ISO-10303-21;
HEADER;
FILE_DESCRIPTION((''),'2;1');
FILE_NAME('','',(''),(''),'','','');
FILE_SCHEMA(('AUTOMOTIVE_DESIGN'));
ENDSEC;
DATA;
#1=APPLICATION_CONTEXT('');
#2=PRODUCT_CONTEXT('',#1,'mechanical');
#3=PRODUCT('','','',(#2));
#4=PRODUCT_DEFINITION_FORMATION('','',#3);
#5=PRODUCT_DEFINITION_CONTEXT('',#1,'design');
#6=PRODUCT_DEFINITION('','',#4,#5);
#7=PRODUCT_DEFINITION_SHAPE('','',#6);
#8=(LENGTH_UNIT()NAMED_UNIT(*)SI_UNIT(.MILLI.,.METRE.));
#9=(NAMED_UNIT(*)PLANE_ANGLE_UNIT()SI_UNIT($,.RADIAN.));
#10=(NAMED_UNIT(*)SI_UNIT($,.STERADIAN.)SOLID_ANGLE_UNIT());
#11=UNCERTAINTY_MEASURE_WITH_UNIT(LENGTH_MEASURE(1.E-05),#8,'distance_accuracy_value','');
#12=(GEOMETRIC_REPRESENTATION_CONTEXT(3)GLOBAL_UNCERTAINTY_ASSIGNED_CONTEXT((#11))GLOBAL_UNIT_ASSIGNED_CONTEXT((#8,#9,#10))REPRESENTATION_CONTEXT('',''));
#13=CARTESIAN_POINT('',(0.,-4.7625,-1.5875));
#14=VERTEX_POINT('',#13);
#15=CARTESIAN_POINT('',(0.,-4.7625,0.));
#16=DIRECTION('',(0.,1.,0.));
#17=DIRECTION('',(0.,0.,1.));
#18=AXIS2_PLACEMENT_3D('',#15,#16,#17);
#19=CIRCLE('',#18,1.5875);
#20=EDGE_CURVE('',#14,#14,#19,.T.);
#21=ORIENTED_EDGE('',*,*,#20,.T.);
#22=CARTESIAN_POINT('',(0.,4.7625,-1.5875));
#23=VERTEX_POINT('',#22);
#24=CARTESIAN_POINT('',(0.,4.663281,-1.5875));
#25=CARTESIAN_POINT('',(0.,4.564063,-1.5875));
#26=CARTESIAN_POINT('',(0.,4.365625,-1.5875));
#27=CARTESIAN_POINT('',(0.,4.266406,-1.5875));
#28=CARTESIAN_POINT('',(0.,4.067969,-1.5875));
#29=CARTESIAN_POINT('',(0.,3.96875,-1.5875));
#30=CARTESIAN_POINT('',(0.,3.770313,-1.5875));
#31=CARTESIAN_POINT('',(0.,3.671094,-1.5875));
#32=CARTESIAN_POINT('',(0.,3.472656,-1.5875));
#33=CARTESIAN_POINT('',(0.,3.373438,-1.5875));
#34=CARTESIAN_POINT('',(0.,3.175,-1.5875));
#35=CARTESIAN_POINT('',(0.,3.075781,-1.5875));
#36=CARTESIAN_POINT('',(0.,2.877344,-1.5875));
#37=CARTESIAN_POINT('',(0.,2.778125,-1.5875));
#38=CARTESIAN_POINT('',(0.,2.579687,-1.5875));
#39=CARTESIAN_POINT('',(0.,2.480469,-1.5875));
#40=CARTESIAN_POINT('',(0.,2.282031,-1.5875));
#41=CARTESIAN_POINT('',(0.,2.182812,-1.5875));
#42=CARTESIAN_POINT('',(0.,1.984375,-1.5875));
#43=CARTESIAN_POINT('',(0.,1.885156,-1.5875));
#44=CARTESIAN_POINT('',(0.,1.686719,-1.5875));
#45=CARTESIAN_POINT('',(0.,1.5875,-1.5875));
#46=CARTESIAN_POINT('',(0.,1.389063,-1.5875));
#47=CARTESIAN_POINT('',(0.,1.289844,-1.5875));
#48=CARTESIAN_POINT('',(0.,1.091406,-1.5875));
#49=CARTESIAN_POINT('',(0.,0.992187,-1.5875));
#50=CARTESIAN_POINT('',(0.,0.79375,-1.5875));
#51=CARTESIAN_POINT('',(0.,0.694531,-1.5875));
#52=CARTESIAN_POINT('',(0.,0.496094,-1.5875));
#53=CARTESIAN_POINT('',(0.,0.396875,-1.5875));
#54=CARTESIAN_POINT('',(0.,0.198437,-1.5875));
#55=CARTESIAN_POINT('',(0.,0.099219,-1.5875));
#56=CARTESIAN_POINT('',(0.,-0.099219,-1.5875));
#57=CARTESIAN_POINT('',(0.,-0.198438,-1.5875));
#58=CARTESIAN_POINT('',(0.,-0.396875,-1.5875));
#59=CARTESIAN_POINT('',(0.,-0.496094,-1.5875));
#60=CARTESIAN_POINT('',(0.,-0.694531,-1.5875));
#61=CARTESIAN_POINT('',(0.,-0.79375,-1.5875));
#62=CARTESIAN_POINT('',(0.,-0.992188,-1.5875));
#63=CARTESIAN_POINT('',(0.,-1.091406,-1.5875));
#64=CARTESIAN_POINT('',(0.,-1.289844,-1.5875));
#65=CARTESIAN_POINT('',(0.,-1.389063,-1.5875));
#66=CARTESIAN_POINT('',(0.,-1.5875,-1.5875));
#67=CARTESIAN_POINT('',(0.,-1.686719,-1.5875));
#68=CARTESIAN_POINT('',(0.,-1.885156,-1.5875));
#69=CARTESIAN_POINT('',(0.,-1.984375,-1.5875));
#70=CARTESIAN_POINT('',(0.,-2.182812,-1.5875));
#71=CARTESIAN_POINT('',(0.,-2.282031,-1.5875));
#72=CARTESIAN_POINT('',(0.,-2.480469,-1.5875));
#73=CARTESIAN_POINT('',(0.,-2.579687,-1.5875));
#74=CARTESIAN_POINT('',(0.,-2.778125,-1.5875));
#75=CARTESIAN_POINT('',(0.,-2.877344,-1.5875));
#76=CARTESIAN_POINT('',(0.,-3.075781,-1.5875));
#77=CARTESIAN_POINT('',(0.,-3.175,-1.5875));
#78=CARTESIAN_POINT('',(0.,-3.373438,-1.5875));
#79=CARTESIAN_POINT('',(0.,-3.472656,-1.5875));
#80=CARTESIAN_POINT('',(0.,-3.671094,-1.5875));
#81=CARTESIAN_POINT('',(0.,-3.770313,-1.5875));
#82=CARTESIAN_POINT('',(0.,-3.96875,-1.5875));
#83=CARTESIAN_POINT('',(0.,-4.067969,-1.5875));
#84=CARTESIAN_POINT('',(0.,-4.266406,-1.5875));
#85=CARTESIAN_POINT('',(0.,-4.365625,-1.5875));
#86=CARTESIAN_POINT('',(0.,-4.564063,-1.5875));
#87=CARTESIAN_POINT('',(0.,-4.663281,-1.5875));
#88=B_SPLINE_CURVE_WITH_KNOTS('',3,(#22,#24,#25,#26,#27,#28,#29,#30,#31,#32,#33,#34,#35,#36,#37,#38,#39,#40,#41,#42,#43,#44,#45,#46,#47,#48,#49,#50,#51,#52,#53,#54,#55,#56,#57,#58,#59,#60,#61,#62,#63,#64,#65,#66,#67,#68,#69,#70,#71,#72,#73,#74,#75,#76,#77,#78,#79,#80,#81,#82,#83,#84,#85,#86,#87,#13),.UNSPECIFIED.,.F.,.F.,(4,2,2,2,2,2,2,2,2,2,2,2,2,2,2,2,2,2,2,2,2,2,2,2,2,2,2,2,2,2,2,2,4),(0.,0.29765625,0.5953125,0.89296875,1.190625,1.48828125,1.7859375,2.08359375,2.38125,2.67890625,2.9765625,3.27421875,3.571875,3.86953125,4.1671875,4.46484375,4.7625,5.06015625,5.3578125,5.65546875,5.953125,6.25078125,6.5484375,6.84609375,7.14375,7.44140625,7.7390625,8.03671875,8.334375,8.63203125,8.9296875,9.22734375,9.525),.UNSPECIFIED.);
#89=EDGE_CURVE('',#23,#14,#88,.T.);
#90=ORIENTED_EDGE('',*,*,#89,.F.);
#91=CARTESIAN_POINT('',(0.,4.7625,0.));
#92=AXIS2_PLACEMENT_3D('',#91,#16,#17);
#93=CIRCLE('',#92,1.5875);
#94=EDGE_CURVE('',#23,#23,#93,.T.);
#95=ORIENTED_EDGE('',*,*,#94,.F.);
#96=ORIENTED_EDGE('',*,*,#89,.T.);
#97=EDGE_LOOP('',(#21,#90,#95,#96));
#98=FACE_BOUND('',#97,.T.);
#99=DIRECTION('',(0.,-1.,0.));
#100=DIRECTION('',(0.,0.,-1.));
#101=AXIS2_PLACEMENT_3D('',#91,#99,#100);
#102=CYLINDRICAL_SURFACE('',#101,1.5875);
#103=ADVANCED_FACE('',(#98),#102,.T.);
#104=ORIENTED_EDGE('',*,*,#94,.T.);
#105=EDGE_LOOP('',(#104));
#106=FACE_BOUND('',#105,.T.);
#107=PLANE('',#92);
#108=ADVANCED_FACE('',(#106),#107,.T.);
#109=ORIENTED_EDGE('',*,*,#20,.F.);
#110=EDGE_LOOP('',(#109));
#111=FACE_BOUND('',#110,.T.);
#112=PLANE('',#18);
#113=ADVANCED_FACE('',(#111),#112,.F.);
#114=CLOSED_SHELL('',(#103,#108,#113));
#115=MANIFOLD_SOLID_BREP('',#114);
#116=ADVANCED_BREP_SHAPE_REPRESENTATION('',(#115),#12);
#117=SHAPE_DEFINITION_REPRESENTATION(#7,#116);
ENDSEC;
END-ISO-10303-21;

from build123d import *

# Parameters (mm, degrees)
SKETCH1_R           = 1.5875
BOSS_EXTRUDE1_DEPTH = 4.7625


with BuildPart() as part:
    # Sketch1 → Boss-Extrude1 (new, symmetric)
    with BuildSketch(Plane(origin=(0, 0, 0), x_dir=(1, 0, 0), z_dir=(0, 1, 0))):
        with Locations(Location((0, 0, 0), (0, 0, 90))):
            Circle(SKETCH1_R)
    extrude(amount=BOSS_EXTRUDE1_DEPTH, both=True)


solid = part.part
